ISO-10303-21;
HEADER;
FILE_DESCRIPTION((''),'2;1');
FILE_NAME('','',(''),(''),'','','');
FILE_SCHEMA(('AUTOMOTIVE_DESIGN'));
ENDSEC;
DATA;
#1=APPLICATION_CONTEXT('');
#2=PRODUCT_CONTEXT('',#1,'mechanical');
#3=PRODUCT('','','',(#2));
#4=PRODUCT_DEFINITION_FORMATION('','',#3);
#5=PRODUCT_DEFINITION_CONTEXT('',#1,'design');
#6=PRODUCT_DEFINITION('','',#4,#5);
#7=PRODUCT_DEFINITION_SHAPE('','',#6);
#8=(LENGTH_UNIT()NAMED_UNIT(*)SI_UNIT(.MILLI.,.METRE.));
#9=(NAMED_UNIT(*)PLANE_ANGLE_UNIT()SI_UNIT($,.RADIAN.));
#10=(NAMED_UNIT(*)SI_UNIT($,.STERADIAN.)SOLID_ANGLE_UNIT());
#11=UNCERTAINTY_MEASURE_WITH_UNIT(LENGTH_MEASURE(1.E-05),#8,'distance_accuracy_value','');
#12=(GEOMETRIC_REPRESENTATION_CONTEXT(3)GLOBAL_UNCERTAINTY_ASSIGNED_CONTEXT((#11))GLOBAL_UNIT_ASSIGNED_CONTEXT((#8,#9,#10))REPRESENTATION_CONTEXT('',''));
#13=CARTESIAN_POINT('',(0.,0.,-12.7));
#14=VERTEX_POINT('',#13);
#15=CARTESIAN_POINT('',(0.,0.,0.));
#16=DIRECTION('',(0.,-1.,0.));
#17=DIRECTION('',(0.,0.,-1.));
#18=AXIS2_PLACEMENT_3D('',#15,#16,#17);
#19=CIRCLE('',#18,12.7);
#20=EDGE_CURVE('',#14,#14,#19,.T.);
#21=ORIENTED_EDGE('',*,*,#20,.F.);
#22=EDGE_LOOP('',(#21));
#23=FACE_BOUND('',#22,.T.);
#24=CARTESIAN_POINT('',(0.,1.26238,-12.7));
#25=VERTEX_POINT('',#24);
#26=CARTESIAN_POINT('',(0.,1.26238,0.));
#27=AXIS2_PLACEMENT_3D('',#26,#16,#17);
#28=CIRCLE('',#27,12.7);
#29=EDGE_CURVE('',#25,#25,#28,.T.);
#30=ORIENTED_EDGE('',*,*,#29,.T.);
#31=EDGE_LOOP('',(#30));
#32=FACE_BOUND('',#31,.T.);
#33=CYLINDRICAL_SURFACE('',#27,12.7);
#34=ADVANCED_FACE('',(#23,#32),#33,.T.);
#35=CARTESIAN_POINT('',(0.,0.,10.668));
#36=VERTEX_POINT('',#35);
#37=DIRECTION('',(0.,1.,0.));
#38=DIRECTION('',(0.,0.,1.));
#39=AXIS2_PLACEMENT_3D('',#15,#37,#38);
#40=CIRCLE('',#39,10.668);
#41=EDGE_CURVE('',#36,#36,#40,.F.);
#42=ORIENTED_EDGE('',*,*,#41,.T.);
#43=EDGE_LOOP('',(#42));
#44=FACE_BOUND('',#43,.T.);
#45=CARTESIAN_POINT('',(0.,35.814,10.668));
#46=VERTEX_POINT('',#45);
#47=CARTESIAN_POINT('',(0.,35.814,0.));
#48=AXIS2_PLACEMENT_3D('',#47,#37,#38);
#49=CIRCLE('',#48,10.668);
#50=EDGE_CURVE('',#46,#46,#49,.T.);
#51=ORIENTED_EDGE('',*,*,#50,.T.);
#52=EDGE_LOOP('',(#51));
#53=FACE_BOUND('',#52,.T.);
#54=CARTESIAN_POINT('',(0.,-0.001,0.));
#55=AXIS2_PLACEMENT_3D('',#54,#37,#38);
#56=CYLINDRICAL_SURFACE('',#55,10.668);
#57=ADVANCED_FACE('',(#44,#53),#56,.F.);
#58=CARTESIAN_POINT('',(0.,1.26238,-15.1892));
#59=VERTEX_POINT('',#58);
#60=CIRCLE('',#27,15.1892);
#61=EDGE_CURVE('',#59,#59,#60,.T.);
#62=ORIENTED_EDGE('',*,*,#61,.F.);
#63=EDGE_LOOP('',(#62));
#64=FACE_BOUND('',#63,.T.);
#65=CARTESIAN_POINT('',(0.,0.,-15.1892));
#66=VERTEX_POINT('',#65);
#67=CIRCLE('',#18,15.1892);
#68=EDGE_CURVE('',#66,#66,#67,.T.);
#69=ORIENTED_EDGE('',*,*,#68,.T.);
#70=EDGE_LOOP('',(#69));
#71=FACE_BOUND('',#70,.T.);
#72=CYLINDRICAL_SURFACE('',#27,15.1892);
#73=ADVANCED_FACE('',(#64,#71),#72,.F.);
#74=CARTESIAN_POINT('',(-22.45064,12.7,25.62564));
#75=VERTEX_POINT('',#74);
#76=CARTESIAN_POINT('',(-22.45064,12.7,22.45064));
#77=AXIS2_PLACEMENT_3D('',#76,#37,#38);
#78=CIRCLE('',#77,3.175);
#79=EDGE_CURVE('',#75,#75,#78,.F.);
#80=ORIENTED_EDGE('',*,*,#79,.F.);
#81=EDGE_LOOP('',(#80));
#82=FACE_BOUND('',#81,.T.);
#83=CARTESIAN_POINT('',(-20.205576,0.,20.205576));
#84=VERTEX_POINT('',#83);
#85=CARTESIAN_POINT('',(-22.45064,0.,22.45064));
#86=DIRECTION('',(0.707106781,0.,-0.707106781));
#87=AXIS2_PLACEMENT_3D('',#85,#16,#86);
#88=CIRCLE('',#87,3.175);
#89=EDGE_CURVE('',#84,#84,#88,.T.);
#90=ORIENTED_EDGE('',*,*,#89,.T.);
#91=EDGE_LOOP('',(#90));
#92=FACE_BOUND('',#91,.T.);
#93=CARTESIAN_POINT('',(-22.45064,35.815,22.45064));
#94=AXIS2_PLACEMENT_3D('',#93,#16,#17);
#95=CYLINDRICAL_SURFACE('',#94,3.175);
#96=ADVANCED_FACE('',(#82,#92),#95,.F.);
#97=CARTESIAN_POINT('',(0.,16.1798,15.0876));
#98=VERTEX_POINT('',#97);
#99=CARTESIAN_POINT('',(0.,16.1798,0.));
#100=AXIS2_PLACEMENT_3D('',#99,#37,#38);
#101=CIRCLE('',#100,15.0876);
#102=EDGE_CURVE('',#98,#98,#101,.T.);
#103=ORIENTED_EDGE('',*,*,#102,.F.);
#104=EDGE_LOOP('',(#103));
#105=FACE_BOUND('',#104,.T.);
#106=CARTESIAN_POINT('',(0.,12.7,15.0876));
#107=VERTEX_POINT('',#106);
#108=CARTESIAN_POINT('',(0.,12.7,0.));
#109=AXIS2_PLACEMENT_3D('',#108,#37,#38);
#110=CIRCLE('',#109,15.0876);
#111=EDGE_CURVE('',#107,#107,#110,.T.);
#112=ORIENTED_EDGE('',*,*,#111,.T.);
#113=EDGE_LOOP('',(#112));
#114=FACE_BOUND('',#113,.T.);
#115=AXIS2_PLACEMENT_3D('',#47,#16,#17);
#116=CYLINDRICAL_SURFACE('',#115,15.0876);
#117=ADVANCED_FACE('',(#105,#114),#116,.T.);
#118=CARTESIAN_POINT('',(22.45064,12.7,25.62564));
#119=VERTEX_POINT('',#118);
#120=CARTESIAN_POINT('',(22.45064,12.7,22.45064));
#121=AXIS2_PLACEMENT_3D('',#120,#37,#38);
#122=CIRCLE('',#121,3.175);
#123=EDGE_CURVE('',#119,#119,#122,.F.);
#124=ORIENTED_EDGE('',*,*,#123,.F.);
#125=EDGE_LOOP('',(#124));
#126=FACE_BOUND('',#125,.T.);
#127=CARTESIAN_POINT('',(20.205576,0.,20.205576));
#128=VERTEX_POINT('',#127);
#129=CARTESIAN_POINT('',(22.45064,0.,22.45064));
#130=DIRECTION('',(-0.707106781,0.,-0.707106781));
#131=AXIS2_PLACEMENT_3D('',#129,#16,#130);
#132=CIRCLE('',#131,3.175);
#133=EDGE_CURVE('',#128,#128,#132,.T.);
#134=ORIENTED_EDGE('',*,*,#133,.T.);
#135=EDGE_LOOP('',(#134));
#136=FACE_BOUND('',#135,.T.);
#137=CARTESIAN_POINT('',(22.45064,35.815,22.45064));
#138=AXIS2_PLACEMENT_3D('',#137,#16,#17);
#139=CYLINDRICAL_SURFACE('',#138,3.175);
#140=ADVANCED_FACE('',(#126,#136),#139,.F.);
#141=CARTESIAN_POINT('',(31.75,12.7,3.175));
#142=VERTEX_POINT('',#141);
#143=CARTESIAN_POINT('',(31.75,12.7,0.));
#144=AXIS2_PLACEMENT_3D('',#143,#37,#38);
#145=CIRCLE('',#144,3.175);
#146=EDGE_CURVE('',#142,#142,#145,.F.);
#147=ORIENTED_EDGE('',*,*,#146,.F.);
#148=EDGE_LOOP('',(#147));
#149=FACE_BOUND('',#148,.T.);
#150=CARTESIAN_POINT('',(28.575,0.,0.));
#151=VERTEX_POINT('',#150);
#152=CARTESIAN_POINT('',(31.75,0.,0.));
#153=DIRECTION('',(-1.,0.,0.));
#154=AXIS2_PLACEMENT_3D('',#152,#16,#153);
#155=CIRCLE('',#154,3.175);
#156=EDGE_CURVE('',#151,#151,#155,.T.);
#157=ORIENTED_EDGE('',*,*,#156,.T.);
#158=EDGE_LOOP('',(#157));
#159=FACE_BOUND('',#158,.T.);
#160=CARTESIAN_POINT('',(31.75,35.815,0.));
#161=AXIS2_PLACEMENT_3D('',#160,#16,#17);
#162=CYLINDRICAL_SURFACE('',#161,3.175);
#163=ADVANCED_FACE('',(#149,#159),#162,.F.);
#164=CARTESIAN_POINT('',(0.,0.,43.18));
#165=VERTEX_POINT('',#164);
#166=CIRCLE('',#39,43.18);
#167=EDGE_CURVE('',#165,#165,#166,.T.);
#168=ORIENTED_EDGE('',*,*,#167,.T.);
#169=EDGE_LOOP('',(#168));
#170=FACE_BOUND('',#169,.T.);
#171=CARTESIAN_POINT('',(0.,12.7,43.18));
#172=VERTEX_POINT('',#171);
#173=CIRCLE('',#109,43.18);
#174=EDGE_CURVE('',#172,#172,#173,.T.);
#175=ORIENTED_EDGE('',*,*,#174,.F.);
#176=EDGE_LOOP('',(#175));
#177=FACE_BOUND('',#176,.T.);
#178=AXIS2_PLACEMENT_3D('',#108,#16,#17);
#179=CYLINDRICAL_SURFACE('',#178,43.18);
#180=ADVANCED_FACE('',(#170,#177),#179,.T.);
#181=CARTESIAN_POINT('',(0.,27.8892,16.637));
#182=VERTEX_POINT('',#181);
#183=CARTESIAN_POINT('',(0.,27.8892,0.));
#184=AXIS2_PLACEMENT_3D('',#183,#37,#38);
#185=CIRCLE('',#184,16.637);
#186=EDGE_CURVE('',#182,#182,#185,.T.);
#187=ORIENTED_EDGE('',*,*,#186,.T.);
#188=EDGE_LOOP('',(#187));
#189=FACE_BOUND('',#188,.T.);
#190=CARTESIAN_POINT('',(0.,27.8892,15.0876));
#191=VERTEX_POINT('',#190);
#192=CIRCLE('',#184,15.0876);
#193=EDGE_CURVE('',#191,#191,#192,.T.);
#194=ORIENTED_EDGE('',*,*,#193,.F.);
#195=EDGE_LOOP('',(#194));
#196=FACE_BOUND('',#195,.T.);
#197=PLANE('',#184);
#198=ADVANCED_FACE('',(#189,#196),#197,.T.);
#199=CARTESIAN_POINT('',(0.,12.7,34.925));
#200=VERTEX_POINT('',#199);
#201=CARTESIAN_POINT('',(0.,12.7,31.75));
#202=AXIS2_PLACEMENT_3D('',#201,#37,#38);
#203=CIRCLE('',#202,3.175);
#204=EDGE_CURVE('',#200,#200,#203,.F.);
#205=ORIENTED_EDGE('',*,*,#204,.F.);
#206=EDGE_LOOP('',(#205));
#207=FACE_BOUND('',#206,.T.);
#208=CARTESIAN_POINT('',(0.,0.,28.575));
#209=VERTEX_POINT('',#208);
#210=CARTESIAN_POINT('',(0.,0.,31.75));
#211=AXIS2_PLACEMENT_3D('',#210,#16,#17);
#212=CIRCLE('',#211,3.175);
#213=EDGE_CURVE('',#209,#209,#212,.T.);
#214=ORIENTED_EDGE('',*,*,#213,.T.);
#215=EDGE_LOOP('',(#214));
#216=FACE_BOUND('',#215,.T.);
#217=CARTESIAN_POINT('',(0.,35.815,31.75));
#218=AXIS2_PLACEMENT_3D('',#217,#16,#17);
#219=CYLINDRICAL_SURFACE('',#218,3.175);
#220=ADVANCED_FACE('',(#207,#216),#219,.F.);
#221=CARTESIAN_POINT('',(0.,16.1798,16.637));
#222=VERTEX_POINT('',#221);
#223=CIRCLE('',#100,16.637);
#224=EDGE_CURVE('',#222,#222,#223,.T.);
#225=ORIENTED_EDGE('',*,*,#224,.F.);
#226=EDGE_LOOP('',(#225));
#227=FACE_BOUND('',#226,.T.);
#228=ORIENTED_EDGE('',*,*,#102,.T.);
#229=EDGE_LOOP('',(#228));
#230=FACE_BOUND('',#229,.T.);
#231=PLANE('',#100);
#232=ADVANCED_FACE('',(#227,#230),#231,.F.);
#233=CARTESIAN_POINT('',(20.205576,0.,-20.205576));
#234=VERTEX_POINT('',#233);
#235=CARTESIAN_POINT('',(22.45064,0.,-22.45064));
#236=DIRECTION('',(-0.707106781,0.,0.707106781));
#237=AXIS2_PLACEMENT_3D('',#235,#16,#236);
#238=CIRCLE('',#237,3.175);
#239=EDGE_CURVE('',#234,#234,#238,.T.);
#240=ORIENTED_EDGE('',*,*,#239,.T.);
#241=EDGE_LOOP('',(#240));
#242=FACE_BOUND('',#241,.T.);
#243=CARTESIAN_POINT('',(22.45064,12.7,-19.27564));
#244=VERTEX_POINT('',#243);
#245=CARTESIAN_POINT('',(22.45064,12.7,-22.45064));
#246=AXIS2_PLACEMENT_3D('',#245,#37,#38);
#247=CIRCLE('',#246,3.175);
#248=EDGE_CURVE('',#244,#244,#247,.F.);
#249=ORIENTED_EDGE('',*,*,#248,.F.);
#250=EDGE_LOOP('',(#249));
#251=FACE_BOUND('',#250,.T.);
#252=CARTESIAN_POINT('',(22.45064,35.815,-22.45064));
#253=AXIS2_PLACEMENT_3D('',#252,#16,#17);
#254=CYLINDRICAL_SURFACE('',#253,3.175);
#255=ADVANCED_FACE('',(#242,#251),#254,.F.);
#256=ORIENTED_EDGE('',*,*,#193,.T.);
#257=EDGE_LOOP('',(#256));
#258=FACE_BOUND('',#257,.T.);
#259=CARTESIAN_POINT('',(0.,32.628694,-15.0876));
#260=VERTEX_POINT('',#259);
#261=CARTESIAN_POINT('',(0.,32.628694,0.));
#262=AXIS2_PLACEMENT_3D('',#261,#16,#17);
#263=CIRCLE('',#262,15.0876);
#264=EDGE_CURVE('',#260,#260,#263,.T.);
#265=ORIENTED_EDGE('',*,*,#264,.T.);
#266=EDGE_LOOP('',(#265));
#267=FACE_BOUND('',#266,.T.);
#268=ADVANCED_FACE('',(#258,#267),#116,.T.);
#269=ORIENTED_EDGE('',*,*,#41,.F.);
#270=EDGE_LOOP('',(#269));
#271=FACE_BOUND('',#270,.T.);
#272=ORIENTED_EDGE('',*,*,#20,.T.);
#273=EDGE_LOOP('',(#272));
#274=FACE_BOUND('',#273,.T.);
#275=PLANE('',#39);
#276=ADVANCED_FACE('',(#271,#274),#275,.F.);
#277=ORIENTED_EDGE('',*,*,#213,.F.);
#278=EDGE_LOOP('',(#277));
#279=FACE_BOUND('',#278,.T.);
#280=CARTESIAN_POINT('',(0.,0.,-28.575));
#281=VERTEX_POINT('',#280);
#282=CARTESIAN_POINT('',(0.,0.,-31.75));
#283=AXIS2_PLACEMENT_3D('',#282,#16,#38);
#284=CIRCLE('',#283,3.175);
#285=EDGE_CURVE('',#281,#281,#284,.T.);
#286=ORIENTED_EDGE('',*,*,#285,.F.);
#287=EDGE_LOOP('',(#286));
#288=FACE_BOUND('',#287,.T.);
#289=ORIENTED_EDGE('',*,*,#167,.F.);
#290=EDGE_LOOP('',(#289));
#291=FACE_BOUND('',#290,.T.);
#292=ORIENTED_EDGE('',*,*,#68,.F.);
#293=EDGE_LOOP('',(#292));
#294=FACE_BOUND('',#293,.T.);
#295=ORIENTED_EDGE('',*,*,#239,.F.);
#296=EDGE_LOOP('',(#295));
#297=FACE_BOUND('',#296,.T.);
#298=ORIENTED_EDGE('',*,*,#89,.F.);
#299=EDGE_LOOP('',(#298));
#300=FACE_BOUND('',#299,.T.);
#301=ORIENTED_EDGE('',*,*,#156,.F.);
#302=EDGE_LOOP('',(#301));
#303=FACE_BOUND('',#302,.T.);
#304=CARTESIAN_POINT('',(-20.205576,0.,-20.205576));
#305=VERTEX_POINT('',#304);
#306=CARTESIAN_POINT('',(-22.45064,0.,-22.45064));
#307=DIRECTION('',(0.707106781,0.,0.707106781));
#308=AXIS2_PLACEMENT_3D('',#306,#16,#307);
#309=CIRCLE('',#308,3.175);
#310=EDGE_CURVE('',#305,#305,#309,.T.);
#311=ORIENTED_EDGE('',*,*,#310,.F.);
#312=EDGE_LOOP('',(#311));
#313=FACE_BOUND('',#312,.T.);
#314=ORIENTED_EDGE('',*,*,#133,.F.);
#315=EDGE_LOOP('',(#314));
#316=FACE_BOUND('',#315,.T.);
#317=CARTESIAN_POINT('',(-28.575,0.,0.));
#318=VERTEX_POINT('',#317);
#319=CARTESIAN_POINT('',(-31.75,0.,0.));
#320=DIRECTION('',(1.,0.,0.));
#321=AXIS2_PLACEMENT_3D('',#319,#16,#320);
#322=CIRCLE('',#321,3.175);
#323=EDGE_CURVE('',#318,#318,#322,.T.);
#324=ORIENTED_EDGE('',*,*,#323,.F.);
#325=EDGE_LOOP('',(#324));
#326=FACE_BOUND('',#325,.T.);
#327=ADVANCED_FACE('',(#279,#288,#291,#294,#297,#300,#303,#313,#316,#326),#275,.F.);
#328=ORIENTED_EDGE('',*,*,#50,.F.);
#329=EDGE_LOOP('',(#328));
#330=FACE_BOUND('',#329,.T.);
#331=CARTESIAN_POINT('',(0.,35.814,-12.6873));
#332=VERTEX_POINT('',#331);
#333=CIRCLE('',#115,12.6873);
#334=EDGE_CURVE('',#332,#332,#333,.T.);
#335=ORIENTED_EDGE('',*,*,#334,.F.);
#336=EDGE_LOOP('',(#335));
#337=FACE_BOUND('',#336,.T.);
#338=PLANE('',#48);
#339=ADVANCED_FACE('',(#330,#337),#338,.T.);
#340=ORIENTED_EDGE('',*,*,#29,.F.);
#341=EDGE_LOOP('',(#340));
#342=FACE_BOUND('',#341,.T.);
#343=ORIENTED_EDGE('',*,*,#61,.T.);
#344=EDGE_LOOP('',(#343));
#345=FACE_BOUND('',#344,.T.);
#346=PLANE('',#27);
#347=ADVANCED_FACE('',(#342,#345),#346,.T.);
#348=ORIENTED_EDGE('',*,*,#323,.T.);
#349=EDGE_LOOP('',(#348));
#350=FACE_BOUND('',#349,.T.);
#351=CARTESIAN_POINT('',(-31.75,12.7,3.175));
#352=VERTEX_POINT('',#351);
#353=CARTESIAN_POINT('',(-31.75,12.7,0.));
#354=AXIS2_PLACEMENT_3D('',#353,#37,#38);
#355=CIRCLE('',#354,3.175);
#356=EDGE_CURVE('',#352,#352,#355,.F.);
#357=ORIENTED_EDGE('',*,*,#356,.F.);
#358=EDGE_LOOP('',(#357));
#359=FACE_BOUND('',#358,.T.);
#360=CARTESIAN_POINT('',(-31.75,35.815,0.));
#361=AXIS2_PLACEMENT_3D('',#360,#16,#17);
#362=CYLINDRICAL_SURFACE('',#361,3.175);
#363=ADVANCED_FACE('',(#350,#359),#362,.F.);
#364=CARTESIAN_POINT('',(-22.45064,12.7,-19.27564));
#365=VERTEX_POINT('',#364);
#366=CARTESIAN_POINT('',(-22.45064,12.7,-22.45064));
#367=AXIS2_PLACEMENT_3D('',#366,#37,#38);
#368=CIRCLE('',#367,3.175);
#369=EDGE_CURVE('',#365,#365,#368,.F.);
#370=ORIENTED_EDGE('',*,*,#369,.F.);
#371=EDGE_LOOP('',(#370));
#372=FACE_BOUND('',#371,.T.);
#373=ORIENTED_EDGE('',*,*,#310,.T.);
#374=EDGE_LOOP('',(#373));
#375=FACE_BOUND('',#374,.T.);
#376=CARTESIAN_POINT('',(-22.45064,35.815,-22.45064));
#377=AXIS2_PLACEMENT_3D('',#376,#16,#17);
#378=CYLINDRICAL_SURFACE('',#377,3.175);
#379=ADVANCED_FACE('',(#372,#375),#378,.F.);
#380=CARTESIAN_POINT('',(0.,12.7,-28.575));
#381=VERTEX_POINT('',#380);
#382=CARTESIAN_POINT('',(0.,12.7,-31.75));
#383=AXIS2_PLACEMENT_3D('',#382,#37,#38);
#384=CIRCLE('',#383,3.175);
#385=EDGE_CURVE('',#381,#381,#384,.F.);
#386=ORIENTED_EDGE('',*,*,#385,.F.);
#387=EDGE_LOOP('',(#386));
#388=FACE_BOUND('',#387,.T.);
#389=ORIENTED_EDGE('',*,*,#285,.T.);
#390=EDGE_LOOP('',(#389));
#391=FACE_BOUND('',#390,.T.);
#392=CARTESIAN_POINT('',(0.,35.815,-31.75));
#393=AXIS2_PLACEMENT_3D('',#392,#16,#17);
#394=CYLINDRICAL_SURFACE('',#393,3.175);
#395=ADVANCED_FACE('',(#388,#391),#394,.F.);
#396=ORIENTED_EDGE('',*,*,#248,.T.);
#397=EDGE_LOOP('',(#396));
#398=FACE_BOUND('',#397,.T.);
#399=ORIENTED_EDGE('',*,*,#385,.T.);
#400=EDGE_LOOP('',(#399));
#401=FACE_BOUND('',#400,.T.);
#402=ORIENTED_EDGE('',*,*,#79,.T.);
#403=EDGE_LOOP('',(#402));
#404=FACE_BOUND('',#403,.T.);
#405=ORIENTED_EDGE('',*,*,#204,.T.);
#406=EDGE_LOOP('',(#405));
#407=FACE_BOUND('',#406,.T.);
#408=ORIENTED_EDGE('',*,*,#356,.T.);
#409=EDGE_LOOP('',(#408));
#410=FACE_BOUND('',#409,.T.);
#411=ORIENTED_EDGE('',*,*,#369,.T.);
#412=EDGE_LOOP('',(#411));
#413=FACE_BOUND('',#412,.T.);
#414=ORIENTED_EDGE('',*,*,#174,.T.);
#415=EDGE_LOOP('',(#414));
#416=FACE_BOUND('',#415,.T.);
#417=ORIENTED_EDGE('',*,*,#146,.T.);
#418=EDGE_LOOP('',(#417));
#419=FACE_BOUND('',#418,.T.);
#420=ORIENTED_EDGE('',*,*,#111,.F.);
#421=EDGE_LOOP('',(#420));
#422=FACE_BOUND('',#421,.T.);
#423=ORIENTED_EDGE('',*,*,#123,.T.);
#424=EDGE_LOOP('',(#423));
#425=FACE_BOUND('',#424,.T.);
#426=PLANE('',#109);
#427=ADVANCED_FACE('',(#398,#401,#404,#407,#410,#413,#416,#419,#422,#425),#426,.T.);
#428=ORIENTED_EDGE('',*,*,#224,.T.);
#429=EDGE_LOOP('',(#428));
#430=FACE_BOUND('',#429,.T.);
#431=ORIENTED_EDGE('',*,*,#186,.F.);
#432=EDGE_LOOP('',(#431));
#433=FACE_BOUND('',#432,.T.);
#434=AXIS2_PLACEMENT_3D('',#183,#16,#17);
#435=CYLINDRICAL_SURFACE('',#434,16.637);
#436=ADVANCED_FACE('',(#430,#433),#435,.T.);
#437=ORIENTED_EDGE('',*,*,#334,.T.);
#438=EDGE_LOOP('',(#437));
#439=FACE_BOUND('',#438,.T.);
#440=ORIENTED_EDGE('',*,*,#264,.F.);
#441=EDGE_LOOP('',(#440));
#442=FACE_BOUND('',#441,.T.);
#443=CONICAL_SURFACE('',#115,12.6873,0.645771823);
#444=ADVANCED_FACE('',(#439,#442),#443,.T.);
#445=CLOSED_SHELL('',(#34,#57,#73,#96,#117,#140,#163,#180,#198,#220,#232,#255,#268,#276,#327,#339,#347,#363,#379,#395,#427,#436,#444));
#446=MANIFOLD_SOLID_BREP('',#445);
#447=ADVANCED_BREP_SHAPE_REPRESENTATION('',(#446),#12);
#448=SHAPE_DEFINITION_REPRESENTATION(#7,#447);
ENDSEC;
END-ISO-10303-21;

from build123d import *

# Parameters (mm, degrees)
SKETCH1_R              = 43.18
FLANGE_EXTRUDE_DEPTH   = 12.7
SKETCH2_R              = 15.0876
AN_FITTING_BODY_DEPTH  = 23.114
HOLE_FOR_FITTING_REACH = 37.814
SKETCH3_R              = 10.668
SKETCH5_R              = 16.637
SKETCH5_R_2            = 15.0876
MEAT_FOR_THREAD_DEPTH  = 11.7094
SKETCH10_R             = 15.1892
SKETCH10_R_2           = 12.7
O_RING_GROOVE_DEPTH    = 1.26238
SKETCH13_R             = 3.175
BOLT_HOLE_DEPTH        = 12.7
CIRPATTERN1_COUNT      = 8


with BuildPart() as part:
    # Sketch1 → flange extrude (new body)
    with BuildSketch(Plane(origin=(0, 0, 0), x_dir=(1, 0, 0), z_dir=(0, 1, 0))):
        Circle(SKETCH1_R)
    extrude(amount=FLANGE_EXTRUDE_DEPTH)

    # Sketch2 → an fitting body (add)
    with BuildSketch(Plane(origin=(0, 12.7, 0), x_dir=(1, 0, 0), z_dir=(0, 1, 0))):
        Circle(SKETCH2_R)
    extrude(amount=AN_FITTING_BODY_DEPTH)

    # Sketch3 → hole for fitting (cut, up to next)
    with BuildSketch(Plane(origin=(0, 35.814, 0), x_dir=(1, 0, 0), z_dir=(0, 1, 0)), mode=Mode.PRIVATE) as hole_for_fitting_sk1:
        Circle(SKETCH3_R)
    hole_for_fitting_tool1 = extrude(hole_for_fitting_sk1.sketch, amount=-HOLE_FOR_FITTING_REACH, mode=Mode.PRIVATE) & part.part
    add(hole_for_fitting_tool1.solids().sort_by_distance((0, 35.814, 0))[0], mode=Mode.SUBTRACT)

    # Sketch5 → meat for thread (add)
    with BuildSketch(Plane(origin=(0, 16.1798, 0), x_dir=(1, 0, 0), z_dir=(0, 1, 0))):
        Circle(SKETCH5_R)
        Circle(SKETCH5_R_2, mode=Mode.SUBTRACT)
    extrude(amount=MEAT_FOR_THREAD_DEPTH)

    # Sketch6 → Cut-Revolve1 (revolve, cut)
    with BuildSketch(Plane.XY):
        Polygon((12.6873, 35.814), (15.0876, 32.628694315), (15.0876, 35.814), align=None)
    revolve(axis=Axis((0, 0, 0), (0, 1, 0)), mode=Mode.SUBTRACT)

    # Sketch10 → O-ring groove (cut)
    with BuildSketch(Plane.XZ):
        Circle(SKETCH10_R)
        Circle(SKETCH10_R_2, mode=Mode.SUBTRACT)
    extrude(amount=-O_RING_GROOVE_DEPTH, mode=Mode.SUBTRACT)

    # Sketch13 → bolt hole (cut)
    with BuildSketch(Plane.XZ):
        with Locations((0, 31.75)):
            Circle(SKETCH13_R)
    bolt_hole = extrude(amount=-BOLT_HOLE_DEPTH, mode=Mode.SUBTRACT)

    # CirPattern1: bolt hole ×8 about axis
    cirpattern1_axis = Axis((0, 0, 0), (0, 1, 0))
    for i in range(1, CIRPATTERN1_COUNT):
        add(bolt_hole.rotate(cirpattern1_axis, i * 360 / CIRPATTERN1_COUNT), mode=Mode.SUBTRACT)


solid = part.part
